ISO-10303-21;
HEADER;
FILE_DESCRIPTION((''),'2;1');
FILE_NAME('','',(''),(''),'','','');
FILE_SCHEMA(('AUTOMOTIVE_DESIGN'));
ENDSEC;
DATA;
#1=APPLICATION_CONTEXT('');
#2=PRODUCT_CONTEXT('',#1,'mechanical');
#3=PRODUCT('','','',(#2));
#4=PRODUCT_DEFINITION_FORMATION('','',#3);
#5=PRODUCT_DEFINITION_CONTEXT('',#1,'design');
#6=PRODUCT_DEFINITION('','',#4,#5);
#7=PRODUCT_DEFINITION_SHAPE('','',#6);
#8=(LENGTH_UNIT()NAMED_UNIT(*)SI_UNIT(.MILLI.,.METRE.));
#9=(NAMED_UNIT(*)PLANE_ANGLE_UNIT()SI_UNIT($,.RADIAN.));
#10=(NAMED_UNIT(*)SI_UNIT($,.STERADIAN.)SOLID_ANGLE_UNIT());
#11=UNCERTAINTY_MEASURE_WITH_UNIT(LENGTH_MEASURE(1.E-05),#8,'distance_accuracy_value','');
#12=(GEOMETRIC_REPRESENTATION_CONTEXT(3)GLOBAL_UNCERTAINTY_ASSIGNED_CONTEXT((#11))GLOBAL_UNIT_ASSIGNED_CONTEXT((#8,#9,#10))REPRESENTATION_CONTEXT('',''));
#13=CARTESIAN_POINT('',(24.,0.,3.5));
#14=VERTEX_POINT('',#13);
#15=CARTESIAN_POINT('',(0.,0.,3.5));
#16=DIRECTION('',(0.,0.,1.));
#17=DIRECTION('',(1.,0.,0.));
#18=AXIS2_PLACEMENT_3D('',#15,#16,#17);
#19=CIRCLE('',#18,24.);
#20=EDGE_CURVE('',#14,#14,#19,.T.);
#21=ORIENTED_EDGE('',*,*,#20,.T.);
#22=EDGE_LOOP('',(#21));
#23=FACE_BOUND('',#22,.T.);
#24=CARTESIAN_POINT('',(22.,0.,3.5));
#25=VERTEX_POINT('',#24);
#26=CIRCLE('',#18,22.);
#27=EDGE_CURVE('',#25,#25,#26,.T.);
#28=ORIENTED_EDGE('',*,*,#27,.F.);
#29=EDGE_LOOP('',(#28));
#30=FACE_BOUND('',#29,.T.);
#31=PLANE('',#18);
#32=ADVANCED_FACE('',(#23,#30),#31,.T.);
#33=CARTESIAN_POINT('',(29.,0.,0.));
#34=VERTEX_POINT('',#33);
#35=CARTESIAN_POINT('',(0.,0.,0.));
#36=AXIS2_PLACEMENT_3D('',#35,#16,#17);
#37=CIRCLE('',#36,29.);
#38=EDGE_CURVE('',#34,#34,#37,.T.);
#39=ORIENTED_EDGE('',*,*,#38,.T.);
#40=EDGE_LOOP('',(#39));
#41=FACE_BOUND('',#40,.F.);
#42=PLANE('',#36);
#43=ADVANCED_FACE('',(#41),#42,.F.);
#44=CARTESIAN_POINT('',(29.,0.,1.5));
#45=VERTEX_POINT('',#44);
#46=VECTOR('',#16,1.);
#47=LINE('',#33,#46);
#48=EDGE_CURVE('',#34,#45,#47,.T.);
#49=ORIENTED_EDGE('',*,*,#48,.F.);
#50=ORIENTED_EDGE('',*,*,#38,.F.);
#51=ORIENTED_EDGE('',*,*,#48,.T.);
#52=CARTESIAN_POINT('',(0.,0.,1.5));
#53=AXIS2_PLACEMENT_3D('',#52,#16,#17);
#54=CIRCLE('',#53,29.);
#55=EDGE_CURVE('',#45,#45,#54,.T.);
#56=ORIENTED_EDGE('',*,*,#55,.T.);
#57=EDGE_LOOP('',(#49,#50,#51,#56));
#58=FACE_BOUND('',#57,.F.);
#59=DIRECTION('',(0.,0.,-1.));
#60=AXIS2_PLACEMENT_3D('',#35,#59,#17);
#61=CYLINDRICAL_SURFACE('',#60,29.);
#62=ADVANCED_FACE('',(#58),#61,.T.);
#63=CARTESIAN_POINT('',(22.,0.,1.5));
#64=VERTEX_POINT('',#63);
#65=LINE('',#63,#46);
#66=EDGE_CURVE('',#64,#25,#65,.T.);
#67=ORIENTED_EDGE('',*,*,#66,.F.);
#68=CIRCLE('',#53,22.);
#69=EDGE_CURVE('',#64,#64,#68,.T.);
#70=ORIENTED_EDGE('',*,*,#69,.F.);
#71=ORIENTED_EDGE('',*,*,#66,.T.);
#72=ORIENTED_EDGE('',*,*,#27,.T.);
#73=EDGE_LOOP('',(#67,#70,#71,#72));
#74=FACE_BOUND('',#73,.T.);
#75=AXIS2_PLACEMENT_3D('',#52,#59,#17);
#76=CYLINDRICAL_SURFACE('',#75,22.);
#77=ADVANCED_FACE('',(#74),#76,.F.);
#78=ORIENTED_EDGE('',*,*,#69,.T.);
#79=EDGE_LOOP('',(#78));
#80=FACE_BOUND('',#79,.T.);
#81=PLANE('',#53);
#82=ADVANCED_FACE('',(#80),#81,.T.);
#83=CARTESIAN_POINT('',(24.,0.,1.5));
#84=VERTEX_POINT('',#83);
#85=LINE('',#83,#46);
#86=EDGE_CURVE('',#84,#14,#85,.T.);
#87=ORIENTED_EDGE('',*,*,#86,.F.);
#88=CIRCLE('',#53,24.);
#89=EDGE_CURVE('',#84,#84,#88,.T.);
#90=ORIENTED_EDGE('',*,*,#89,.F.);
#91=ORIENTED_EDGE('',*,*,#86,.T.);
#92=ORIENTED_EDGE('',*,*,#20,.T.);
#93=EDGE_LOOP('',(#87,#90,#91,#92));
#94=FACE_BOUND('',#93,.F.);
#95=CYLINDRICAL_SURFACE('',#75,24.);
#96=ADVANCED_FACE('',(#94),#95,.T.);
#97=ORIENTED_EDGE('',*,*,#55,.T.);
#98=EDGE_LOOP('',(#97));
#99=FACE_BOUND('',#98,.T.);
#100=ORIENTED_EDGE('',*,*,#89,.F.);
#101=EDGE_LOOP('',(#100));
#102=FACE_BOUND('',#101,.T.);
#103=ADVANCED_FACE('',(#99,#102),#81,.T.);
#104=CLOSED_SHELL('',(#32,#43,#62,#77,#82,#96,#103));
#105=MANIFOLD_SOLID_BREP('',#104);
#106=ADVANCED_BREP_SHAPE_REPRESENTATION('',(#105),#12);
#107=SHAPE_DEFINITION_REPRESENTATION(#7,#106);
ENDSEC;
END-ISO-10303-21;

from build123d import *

# Parameters (mm, degrees)
SKETCH_R      = 29
PAD_DEPTH     = 1.5
SKETCH001_R   = 24
SKETCH001_R_2 = 22
PAD001_DEPTH  = 2


with BuildPart() as part:
    # Sketch → Pad (new body)
    with BuildSketch(Plane.XY):
        Circle(SKETCH_R)
    extrude(amount=PAD_DEPTH)

    # Sketch001 (on DatumPlane) → Pad001 (join)
    with BuildSketch(Plane.XY.offset(1.5)):
        Circle(SKETCH001_R)
        Circle(SKETCH001_R_2, mode=Mode.SUBTRACT)
    extrude(amount=PAD001_DEPTH)


solid = part.part
